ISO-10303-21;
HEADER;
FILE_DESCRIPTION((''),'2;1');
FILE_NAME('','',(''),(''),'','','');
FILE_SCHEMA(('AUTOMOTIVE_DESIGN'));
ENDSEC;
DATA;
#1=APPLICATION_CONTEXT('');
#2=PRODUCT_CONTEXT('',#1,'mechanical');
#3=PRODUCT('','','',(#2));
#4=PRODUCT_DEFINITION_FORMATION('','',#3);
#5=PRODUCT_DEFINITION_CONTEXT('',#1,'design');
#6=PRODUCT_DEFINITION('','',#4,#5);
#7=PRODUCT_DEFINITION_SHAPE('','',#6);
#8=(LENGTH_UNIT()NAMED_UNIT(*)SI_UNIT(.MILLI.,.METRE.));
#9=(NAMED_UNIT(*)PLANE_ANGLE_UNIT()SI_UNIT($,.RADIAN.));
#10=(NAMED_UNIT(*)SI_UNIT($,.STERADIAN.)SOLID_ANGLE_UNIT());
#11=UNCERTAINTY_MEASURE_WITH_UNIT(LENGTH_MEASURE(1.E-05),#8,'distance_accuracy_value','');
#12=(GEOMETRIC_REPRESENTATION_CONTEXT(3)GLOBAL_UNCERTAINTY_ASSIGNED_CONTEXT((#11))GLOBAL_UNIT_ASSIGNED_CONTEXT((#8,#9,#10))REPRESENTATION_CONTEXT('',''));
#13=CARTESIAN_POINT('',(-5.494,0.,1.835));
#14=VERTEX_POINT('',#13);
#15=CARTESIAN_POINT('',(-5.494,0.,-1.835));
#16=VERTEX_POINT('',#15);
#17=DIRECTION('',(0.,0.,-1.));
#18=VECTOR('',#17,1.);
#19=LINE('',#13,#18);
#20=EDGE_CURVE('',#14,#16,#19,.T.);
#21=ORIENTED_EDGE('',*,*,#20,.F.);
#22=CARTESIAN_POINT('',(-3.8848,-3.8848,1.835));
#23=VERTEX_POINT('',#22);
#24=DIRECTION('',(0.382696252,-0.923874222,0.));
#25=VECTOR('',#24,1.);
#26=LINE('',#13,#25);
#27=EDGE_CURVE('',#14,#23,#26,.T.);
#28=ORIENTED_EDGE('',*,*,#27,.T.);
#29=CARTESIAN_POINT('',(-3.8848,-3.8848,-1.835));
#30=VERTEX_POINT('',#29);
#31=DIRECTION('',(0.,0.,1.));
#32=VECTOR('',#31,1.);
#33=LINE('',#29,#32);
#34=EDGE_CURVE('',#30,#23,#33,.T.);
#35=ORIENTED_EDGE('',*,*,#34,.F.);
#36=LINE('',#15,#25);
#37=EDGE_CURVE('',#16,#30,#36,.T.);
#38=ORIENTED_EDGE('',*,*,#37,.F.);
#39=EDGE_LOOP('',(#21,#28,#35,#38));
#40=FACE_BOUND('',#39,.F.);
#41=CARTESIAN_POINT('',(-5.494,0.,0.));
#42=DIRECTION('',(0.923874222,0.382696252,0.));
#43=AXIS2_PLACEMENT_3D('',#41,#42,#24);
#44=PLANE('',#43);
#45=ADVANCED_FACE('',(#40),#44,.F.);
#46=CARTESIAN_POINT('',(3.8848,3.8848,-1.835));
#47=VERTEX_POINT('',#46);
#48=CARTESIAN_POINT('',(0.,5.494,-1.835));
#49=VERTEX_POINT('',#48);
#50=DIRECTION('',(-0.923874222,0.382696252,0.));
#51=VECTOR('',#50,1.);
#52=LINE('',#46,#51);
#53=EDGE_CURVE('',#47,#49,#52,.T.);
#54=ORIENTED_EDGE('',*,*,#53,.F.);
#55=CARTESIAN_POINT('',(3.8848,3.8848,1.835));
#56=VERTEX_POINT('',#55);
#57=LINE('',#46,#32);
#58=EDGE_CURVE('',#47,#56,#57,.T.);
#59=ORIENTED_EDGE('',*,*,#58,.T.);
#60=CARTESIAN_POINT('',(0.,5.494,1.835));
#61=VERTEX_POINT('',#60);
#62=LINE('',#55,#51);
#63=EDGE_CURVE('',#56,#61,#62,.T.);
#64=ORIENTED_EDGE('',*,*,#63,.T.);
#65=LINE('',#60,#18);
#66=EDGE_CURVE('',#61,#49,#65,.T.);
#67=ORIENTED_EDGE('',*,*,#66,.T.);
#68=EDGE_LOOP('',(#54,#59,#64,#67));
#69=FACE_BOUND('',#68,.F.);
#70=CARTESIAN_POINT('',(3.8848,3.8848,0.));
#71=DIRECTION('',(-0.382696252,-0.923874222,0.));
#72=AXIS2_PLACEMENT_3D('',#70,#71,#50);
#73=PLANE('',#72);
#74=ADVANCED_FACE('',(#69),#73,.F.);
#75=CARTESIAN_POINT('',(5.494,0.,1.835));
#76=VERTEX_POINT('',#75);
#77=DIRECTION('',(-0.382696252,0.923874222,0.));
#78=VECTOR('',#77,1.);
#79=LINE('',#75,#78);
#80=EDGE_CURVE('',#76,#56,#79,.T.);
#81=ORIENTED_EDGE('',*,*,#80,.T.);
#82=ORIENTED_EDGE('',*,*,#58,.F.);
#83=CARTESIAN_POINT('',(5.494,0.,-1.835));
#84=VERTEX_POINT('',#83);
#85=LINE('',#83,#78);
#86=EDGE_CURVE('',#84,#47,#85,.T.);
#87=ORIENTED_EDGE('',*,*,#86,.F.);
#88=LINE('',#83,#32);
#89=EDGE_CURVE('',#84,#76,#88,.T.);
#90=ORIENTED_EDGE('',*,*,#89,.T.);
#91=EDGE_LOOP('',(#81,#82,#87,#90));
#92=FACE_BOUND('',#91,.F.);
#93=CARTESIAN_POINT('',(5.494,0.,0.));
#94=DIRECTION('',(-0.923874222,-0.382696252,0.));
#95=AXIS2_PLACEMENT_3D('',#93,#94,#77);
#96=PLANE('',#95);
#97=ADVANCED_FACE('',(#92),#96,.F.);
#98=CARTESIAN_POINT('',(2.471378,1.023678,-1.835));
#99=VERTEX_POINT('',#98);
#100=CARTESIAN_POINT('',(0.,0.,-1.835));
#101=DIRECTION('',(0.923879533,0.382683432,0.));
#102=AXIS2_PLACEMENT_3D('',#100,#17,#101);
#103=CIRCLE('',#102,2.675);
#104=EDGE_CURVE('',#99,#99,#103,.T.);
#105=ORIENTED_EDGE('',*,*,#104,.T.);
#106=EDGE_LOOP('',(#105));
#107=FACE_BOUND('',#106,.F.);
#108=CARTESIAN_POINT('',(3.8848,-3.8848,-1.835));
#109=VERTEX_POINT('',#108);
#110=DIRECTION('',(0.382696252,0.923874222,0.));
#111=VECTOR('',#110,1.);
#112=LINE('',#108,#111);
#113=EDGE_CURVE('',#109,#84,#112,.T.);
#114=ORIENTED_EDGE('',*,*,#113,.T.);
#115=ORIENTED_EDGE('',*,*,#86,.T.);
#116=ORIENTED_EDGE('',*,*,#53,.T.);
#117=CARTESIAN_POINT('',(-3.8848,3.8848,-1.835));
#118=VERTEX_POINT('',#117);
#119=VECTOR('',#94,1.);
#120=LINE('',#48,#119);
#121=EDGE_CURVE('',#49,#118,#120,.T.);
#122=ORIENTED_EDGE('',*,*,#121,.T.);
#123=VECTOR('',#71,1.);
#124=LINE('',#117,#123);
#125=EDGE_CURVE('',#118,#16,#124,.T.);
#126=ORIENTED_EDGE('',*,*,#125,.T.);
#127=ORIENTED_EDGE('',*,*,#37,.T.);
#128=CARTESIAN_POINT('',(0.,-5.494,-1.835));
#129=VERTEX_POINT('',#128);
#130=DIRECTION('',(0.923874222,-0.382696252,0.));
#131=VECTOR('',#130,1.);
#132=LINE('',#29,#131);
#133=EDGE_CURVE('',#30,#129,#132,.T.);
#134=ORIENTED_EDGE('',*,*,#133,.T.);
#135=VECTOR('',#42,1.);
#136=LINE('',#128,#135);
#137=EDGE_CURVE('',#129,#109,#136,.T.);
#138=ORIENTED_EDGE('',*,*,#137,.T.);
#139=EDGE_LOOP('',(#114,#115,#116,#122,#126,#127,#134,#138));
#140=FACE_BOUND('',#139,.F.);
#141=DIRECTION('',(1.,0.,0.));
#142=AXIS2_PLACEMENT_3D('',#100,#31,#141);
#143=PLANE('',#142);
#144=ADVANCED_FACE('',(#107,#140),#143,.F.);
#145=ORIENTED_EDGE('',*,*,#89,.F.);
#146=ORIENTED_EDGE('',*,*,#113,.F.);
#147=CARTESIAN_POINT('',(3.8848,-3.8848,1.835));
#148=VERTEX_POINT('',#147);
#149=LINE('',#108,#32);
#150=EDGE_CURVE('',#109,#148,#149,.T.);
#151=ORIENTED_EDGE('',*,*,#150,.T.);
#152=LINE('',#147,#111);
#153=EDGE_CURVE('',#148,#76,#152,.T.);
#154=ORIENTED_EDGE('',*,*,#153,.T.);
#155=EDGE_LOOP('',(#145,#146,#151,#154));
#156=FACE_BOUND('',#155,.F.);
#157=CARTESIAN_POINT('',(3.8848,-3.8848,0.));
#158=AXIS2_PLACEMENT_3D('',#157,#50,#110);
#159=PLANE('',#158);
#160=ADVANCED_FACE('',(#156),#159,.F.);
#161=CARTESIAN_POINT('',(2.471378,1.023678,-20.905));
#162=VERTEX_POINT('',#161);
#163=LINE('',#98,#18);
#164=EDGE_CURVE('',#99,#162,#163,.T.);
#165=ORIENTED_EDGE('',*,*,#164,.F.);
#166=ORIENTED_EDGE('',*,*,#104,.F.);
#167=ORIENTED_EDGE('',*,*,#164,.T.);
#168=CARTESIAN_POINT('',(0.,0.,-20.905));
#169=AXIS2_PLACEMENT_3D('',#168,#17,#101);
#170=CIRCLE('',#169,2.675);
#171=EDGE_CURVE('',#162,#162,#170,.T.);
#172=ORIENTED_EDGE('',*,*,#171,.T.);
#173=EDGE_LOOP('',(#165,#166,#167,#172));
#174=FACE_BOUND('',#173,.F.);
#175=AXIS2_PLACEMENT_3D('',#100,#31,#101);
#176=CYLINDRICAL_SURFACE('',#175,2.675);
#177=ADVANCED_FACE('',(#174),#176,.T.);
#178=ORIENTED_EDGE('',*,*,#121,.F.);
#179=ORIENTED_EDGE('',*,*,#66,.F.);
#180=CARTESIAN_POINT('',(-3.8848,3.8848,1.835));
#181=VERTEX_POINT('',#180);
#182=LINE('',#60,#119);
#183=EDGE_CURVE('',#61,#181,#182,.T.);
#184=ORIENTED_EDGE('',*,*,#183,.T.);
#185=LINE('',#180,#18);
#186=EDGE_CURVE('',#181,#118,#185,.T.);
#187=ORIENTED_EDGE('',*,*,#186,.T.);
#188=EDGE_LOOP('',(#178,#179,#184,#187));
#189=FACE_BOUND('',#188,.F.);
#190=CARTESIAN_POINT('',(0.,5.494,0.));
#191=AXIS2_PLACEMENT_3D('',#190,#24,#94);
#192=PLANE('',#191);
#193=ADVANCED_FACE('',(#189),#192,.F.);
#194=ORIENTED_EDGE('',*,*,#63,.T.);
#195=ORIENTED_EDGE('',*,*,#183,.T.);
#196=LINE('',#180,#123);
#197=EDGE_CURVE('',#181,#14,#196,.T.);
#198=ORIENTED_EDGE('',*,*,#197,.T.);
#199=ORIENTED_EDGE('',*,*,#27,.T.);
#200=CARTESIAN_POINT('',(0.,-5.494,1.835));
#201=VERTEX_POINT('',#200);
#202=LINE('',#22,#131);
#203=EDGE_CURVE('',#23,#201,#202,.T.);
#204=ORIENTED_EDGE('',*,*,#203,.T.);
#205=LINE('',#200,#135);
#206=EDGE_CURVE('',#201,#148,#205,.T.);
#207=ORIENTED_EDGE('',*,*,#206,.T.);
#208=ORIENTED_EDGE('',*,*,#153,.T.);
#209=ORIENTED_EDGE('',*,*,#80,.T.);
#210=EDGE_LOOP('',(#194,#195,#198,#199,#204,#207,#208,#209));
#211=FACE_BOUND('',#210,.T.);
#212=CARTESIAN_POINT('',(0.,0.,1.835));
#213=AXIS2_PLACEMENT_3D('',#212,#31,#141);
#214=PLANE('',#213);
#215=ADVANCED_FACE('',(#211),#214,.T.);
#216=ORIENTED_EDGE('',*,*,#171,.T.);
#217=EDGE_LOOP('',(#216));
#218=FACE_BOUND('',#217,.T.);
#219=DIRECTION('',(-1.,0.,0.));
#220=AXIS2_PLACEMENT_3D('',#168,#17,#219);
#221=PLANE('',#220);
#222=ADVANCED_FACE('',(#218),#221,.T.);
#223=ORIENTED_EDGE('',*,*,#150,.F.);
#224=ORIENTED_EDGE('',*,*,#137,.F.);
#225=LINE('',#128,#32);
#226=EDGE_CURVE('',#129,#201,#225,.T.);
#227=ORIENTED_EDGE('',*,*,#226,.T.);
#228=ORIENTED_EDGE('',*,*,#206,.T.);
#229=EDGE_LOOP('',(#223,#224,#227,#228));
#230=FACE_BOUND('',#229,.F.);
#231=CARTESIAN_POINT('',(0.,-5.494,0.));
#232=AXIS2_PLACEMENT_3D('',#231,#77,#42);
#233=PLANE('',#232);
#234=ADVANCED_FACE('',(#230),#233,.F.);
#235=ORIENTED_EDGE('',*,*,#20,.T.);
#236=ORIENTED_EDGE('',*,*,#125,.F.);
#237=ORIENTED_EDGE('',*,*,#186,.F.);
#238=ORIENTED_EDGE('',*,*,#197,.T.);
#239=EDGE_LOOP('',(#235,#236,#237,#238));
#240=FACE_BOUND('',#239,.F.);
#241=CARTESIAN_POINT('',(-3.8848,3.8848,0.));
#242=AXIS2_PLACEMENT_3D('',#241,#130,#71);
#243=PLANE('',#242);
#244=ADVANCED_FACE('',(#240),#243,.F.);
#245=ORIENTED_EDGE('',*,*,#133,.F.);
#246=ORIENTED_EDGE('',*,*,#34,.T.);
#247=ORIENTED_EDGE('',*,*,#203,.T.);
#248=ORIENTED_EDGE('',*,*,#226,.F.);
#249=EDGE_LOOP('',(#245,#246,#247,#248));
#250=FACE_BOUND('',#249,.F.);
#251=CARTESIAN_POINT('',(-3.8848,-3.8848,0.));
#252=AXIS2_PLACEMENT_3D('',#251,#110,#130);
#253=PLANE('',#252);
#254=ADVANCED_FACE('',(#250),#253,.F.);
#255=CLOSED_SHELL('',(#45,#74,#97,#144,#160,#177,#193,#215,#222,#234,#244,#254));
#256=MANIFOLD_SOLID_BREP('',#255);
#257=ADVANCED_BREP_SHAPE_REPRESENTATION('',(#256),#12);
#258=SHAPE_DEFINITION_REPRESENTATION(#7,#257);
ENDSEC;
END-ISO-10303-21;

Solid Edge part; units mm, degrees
sketch "Sketch1" plane through (0, 0, 0) normal (0, 0, 1) x (1, 0, 0)
  line L0 (-5.494, 0) -> (-3.8848, -3.8848)
  line L1 (-3.8848, -3.8848) -> (0, -5.494)
  line L2 (0, -5.494) -> (3.8848, -3.8848)
  line L3 (3.8848, -3.8848) -> (5.494, 0)
  line L4 (5.494, 0) -> (3.8848, 3.8848)
  line L5 (3.8848, 3.8848) -> (0, 5.494)
  line L6 (0, 5.494) -> (-3.8848, 3.8848)
  line L7 (-3.8848, 3.8848) -> (-5.494, 0)
extrude "Protrusion1" add sketch "Sketch1" along normal mid plane 3.67
sketch "Sketch2" plane through (0, 0, -1.835) normal (0, 0, -1) x (0.9239, 0.3827, 0)
  circle A0 centre (0, 0) radius 2.675
extrude "ExtrudedProtrusion_2" add sketch "Sketch2" along normal blind 19.07
